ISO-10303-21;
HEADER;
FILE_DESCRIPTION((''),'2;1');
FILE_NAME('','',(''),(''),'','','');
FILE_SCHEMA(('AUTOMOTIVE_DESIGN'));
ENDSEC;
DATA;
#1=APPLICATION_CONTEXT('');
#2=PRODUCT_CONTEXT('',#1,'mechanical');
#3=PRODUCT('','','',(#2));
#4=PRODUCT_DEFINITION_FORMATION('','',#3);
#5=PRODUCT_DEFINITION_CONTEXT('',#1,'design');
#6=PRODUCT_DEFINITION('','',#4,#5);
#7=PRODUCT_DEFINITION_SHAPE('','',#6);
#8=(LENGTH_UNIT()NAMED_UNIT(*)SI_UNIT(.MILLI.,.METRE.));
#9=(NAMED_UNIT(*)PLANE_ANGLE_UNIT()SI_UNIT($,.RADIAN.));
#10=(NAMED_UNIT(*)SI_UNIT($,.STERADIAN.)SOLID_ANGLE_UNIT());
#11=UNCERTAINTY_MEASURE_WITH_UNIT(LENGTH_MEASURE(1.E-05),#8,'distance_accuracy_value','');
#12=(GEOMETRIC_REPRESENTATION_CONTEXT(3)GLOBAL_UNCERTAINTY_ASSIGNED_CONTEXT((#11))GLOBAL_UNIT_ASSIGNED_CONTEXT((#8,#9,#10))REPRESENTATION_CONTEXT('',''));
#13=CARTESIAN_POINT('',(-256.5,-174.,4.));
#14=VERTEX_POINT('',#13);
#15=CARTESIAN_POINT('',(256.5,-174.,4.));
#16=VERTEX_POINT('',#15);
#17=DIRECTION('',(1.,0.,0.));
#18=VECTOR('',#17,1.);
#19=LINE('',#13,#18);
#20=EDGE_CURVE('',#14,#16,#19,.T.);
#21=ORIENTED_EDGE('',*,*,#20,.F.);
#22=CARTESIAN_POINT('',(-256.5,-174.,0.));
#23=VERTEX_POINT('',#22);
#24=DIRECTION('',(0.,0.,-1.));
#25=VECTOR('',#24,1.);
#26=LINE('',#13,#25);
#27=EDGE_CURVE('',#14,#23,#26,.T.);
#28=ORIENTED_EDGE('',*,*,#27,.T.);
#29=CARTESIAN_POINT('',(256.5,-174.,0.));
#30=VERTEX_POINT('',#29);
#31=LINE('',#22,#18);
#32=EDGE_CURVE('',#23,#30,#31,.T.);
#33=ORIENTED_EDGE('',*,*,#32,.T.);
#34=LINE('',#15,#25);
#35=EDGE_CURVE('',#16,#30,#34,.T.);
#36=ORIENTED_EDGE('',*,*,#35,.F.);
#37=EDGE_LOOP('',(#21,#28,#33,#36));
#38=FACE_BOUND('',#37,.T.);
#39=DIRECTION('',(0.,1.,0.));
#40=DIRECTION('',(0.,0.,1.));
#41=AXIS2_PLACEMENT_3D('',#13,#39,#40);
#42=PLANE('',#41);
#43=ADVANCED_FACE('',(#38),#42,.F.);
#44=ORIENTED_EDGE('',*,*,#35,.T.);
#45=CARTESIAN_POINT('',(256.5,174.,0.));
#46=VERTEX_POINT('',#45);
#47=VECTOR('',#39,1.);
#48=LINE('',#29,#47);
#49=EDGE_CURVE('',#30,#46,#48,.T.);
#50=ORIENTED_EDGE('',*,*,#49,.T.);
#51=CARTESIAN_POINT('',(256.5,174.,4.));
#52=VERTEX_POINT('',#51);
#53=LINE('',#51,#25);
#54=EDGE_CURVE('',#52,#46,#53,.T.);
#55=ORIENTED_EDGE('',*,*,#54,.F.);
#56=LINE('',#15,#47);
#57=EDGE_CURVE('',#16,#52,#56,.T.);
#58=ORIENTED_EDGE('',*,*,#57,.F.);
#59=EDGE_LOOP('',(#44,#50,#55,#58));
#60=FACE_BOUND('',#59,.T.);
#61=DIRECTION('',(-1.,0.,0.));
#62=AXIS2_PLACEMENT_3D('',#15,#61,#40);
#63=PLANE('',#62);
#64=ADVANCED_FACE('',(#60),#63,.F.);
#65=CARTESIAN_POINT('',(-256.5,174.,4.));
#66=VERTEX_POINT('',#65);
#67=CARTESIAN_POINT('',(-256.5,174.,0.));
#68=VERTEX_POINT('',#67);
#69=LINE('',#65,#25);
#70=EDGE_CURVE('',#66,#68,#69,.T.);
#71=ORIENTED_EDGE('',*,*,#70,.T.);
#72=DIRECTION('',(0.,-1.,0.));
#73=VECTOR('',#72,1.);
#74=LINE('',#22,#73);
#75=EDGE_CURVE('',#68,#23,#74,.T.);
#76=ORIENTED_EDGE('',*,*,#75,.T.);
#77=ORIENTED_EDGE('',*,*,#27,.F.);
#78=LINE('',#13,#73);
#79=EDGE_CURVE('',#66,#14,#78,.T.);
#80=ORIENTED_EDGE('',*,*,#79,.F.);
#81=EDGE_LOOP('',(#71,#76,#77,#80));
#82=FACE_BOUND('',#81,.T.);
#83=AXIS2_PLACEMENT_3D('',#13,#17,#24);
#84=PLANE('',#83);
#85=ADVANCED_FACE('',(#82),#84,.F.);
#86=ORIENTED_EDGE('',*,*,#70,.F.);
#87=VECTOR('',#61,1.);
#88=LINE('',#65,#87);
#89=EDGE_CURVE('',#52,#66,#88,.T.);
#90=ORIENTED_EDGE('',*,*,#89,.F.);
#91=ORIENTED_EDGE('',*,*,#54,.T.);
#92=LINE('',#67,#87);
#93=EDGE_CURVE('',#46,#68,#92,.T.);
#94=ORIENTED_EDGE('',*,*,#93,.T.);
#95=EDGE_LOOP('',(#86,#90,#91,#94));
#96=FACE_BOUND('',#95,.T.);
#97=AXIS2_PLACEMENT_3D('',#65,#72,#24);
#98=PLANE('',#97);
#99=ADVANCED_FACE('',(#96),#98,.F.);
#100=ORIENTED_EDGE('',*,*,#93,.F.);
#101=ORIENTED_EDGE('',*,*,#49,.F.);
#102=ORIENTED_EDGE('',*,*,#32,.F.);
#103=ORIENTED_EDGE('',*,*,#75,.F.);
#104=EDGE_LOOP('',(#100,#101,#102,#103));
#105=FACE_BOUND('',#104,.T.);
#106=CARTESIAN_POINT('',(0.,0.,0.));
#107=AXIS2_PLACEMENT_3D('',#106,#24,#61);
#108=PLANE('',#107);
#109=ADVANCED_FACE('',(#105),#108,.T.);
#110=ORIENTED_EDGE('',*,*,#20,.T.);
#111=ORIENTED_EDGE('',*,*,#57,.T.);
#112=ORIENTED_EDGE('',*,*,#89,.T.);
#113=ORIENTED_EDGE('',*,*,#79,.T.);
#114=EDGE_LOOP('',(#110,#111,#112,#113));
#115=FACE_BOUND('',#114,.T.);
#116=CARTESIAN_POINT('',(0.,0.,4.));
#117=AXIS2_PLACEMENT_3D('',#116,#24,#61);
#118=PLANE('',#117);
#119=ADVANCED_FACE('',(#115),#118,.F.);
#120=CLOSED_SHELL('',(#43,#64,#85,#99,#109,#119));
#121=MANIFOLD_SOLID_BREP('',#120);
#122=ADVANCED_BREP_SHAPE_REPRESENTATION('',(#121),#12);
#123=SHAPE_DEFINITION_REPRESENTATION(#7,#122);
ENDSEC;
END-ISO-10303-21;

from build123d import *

# Parameters (mm, degrees)
ESQUISSE1_W        = 513
ESQUISSE1_H        = 348
BOSS_EXTRU_1_DEPTH = 4


with BuildPart() as part:
    # Esquisse1 → Boss.-Extru.1 (new body)
    with BuildSketch(Plane.XY):
        Rectangle(ESQUISSE1_W, ESQUISSE1_H)
    extrude(amount=BOSS_EXTRU_1_DEPTH)


solid = part.part
